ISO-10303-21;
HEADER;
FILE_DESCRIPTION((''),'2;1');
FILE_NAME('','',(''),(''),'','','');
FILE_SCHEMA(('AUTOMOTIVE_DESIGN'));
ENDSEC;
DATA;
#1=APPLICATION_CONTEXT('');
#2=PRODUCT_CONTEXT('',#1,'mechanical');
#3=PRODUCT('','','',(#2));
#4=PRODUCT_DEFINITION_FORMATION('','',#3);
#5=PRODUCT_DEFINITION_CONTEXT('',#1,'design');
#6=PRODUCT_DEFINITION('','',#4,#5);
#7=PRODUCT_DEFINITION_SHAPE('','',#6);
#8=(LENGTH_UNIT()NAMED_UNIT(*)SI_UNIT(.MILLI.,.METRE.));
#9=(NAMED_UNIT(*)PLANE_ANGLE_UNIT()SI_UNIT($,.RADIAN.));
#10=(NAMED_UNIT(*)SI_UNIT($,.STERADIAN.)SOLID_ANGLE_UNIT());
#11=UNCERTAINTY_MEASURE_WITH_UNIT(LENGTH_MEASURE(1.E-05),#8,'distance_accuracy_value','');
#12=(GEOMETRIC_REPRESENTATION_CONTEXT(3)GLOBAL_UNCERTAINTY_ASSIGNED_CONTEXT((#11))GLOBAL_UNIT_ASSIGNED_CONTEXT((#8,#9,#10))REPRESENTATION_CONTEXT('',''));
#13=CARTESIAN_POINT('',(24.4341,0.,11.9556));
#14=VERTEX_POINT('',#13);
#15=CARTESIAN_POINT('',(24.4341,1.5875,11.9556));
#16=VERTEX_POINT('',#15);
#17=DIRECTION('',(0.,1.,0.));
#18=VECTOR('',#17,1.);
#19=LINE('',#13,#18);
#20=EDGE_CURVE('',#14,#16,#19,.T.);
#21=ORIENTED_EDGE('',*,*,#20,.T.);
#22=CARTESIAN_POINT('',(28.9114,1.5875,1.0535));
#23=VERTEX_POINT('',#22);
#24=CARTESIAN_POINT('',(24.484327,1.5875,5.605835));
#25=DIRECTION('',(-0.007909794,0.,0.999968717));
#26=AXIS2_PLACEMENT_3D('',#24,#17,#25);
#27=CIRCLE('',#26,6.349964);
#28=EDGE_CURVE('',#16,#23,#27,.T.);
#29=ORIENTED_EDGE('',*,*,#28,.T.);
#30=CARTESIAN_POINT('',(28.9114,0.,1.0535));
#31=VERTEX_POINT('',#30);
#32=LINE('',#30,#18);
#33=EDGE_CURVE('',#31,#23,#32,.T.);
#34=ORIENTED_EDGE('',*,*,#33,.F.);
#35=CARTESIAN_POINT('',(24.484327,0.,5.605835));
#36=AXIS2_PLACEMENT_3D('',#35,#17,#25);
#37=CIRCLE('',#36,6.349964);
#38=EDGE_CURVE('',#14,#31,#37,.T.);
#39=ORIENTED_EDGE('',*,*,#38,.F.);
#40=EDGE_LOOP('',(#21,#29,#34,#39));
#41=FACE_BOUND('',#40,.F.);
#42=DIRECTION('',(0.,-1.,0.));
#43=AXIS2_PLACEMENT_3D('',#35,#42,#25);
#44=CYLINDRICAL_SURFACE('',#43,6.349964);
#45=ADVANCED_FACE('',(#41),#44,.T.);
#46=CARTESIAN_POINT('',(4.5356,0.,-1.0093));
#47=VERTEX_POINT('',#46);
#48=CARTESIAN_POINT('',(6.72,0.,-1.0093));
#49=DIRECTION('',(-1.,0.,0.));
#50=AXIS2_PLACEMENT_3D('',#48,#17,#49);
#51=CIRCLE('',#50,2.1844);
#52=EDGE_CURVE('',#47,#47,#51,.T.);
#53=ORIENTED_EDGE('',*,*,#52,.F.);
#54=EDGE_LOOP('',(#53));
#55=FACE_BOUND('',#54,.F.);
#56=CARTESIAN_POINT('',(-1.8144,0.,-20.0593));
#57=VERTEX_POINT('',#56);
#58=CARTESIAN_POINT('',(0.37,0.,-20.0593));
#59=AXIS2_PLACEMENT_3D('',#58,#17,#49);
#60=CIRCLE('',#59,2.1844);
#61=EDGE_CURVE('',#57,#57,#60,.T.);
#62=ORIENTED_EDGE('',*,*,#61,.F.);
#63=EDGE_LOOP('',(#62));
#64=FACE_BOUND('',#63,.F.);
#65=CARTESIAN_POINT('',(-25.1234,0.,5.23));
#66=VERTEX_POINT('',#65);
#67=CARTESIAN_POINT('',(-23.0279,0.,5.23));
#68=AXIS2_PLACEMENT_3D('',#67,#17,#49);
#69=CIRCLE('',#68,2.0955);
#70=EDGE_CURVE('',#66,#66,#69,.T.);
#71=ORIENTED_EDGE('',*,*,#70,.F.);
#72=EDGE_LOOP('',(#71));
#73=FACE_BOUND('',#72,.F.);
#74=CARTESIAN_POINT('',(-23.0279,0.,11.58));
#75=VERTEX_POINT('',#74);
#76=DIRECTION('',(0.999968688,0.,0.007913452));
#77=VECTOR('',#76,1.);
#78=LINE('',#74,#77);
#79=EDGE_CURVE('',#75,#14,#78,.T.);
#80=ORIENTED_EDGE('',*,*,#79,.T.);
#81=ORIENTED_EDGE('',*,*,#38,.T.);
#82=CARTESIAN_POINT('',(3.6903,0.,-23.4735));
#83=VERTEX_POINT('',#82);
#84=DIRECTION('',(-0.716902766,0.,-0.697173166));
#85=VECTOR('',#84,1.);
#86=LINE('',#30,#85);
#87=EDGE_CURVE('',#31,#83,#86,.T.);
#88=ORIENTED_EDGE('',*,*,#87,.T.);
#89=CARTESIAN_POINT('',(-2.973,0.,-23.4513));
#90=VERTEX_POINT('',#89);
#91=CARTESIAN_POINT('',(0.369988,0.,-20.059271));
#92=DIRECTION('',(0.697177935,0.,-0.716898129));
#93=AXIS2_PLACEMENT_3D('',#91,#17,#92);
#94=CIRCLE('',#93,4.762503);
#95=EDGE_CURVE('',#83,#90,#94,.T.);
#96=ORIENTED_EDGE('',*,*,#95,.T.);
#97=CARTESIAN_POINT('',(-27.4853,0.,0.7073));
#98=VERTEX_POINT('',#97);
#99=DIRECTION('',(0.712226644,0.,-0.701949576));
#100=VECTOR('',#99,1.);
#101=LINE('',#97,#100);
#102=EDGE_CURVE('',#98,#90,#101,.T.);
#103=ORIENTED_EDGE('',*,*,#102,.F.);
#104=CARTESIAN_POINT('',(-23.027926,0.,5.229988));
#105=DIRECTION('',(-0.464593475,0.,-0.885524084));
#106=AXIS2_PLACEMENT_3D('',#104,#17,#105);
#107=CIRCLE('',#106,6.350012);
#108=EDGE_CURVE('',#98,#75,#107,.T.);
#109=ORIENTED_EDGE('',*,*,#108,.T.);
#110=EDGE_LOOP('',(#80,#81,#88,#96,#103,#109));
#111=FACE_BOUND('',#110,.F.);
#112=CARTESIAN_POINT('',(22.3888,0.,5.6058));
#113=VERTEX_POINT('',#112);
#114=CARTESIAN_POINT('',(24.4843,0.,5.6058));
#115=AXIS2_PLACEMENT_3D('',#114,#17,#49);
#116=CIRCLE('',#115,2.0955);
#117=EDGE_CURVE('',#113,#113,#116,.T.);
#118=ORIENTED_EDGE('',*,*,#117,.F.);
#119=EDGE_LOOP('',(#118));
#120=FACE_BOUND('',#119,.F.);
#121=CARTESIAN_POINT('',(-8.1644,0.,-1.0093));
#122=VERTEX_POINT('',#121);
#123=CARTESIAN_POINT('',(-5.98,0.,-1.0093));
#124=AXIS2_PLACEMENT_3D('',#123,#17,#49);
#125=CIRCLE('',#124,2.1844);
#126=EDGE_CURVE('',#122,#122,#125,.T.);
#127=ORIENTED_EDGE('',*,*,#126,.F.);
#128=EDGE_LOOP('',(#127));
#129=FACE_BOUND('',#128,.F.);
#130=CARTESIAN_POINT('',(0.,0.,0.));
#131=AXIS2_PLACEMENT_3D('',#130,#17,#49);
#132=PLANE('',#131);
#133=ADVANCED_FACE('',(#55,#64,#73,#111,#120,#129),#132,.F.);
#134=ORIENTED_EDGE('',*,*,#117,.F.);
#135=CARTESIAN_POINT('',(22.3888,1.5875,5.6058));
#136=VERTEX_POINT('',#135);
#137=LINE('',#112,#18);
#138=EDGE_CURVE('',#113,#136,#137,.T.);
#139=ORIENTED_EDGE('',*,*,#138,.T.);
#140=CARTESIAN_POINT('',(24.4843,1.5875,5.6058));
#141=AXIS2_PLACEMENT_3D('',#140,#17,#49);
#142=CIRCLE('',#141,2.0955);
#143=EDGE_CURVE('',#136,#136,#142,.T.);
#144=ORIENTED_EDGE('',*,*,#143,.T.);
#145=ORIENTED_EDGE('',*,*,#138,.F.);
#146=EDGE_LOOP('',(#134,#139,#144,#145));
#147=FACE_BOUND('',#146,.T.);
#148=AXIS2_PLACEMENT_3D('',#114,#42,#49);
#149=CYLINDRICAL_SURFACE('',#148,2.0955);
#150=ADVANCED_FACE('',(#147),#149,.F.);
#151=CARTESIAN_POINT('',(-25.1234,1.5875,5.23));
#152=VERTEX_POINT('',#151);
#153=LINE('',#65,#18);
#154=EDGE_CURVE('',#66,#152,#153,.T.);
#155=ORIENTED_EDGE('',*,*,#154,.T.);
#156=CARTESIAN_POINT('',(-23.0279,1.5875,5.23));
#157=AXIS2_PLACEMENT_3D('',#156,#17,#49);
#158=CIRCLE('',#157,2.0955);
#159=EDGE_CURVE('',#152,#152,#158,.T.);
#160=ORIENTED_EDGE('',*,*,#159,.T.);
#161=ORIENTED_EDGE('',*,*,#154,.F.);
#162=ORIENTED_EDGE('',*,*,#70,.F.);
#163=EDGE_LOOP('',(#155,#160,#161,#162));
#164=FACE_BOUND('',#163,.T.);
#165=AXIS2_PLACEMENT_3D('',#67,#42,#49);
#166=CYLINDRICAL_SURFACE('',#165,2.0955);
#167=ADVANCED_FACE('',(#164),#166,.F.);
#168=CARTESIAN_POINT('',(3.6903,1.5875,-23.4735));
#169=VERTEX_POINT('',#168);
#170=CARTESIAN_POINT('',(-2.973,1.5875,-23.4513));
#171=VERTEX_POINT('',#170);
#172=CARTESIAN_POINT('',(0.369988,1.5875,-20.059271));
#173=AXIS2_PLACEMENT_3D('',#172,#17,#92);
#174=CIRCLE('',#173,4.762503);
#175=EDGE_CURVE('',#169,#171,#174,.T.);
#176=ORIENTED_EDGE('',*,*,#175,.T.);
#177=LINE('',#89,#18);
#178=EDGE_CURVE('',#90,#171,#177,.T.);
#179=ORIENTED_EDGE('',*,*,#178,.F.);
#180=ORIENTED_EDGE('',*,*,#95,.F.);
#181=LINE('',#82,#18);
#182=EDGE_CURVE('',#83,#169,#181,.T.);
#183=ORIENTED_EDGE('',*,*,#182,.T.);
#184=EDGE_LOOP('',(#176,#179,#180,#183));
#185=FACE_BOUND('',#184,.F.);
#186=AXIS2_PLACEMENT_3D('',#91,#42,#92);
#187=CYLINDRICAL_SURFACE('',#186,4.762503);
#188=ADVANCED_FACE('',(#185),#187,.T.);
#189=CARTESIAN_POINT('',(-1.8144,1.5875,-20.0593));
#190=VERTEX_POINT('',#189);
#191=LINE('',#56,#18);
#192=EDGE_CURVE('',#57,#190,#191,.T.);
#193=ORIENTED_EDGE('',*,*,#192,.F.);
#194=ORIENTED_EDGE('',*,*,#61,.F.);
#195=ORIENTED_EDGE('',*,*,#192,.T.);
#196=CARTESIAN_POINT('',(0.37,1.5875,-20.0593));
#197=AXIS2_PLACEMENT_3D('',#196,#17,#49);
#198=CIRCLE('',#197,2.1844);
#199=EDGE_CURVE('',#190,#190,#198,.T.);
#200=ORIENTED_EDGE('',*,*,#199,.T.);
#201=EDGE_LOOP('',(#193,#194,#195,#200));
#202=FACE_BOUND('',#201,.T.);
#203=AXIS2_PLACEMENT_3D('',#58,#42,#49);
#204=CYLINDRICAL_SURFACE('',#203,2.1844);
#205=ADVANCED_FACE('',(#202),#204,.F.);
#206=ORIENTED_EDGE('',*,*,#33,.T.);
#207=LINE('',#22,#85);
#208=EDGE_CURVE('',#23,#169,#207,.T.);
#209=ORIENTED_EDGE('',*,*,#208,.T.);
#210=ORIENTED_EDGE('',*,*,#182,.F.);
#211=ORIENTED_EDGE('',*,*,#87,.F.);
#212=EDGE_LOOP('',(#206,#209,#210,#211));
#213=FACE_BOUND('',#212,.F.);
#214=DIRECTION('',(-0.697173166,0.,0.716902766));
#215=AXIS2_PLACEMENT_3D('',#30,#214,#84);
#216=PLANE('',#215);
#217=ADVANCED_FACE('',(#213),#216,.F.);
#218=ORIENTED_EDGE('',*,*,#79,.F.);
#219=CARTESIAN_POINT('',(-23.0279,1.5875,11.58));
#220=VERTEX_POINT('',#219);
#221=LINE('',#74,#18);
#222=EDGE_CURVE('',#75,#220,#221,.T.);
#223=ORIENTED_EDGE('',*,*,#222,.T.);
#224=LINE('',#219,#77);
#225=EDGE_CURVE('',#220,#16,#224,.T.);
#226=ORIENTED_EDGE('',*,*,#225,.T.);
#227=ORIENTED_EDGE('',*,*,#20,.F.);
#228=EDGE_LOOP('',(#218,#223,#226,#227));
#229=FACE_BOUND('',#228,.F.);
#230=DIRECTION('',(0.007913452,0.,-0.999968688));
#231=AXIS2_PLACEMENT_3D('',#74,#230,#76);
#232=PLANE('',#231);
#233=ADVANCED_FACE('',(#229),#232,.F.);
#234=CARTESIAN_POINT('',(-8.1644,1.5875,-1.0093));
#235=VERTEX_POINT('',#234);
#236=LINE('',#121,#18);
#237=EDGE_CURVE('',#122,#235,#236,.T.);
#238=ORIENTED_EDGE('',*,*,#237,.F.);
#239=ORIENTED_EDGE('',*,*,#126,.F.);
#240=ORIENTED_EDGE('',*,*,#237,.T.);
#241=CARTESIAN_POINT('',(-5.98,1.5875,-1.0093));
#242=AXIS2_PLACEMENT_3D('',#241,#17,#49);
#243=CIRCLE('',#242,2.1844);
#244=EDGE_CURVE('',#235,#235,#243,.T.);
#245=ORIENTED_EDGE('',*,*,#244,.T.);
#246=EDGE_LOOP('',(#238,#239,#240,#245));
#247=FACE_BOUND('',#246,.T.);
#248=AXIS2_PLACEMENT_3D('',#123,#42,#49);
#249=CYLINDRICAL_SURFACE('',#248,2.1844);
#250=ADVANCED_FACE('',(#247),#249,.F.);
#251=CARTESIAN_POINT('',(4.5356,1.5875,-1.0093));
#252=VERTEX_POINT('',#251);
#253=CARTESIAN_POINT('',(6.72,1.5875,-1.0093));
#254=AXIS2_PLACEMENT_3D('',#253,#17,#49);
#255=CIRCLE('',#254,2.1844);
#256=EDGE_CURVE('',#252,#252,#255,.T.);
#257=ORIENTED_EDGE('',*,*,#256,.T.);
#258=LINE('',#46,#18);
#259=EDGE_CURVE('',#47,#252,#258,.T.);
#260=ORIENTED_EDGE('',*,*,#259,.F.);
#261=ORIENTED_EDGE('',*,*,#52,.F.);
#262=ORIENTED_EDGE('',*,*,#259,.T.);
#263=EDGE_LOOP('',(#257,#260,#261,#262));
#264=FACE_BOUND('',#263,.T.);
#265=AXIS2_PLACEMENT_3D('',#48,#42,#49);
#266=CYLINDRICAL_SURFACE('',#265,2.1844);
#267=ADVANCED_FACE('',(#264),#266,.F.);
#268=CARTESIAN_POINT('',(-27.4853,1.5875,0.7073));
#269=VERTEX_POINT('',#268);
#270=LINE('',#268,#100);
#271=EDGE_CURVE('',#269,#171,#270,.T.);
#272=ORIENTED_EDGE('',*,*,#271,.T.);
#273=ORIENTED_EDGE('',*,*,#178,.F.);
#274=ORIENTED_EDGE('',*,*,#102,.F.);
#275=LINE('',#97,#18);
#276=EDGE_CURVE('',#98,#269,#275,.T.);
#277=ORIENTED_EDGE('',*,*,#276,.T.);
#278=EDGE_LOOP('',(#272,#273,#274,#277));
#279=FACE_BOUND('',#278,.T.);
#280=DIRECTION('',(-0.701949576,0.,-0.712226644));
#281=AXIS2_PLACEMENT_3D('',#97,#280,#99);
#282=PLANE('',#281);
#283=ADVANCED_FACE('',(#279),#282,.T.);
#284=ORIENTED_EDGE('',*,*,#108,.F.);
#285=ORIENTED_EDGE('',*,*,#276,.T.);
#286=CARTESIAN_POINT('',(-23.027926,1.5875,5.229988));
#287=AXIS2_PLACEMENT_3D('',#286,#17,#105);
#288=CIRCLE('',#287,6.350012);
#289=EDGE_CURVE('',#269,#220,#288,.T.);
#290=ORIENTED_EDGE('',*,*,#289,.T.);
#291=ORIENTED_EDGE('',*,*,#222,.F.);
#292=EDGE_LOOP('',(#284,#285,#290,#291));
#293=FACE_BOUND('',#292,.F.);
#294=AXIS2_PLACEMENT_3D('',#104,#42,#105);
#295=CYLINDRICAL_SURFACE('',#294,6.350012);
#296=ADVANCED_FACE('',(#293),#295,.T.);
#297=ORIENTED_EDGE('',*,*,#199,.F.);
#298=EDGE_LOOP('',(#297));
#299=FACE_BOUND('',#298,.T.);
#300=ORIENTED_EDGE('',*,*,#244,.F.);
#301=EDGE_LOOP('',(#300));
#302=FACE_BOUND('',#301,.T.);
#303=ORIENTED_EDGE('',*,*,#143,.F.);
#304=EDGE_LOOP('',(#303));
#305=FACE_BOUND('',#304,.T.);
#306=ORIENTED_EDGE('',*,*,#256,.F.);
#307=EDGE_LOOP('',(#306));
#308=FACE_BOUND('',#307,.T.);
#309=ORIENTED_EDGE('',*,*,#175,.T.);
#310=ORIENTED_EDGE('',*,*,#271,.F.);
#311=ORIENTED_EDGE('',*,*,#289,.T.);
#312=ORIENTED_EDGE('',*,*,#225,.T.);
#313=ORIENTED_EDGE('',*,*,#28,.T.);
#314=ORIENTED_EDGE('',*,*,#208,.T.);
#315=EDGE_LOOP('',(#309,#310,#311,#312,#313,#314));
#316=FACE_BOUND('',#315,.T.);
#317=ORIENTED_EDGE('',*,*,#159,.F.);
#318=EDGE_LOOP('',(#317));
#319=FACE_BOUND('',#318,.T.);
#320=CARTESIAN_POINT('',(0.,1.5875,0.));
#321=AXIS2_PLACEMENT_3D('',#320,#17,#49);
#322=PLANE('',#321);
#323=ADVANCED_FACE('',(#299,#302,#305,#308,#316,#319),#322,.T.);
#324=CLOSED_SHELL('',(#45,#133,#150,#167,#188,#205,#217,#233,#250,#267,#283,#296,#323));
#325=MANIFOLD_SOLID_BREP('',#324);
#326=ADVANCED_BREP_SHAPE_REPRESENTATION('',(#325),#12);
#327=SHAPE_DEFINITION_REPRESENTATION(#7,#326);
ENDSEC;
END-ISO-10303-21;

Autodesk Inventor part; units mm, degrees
ref_plane "YZ Plane" through (0, 0, 0) normal (1, 0, 0) x (0, 1, 0)
ref_plane "XZ Plane" through (0, 0, 0) normal (0, 1, 0) x (-1, 0, 0)
ref_plane "XY Plane" through (0, 0, 0) normal (0, 0, 1) x (1, 0, 0)
sketch "Sketch1" plane through (0, 0, 0) normal (0, 1, 0) x (-1, 0, 0)
  circle A0 centre (5.98, -1.0093) radius 2.1844
  circle A1 centre (-6.72, -1.0093) radius 2.1844
  arc A2 (25.9781, -0.3931) -> (23.0279, 11.58) centre (23.0279, 5.23) ccw
  arc A3 (-24.4341, 11.9556) -> (-27.4345, -0.0172) centre (-24.4843, 5.6058) ccw
  circle A4 centre (23.0279, 5.23) radius 2.0955
  circle A5 centre (-24.4843, 5.6058) radius 2.0955
  line L0 (23.0279, 11.58) -> (-24.4341, 11.9556)
  circle A6 centre (-0.37, -20.0593) radius 2.1844
  arc A7 (-3.6903, -23.4735) -> (2.973, -23.4513) centre (-0.37, -20.0593) ccw
  line L1 (27.4853, 0.7073) -> (2.973, -23.4513)
  line L2 (-28.9114, 1.0535) -> (-3.6903, -23.4735)
  point P0 (0, 0)
  dimension "d0" = 12.7
  dimension "d1" = 12.7
  dimension "d2" = 4.191
  dimension "d3" = 4.191
  dimension "d4" = 9.525
  dimension "d7" = 6.2393
  dimension "d8" = 17.0479
extrude "Extrusion1" add sketch "Sketch1" along normal blind 1.5875
equation "\"BendRadius\" = Thickness"
equation "\"BendReliefWidth\" = Thickness"
equation "\"BendReliefDepth\" = 0.5 * Thickness"
equation "\"CornerReliefSize\" = 4 * Thickness"
equation "\"MinimumRemnant\" = 2 * Thickness"
equation "\"TransitionRadius\" = BendRadius"
equation "\"JacobiRadiusSize\" = BendRadius"
equation "\"GapSize\" = Thickness"
equation "\"Thickness\" = 1.5875"
properties part number "MOGO Clamp Gusset" material "Acetal Resin, White"
